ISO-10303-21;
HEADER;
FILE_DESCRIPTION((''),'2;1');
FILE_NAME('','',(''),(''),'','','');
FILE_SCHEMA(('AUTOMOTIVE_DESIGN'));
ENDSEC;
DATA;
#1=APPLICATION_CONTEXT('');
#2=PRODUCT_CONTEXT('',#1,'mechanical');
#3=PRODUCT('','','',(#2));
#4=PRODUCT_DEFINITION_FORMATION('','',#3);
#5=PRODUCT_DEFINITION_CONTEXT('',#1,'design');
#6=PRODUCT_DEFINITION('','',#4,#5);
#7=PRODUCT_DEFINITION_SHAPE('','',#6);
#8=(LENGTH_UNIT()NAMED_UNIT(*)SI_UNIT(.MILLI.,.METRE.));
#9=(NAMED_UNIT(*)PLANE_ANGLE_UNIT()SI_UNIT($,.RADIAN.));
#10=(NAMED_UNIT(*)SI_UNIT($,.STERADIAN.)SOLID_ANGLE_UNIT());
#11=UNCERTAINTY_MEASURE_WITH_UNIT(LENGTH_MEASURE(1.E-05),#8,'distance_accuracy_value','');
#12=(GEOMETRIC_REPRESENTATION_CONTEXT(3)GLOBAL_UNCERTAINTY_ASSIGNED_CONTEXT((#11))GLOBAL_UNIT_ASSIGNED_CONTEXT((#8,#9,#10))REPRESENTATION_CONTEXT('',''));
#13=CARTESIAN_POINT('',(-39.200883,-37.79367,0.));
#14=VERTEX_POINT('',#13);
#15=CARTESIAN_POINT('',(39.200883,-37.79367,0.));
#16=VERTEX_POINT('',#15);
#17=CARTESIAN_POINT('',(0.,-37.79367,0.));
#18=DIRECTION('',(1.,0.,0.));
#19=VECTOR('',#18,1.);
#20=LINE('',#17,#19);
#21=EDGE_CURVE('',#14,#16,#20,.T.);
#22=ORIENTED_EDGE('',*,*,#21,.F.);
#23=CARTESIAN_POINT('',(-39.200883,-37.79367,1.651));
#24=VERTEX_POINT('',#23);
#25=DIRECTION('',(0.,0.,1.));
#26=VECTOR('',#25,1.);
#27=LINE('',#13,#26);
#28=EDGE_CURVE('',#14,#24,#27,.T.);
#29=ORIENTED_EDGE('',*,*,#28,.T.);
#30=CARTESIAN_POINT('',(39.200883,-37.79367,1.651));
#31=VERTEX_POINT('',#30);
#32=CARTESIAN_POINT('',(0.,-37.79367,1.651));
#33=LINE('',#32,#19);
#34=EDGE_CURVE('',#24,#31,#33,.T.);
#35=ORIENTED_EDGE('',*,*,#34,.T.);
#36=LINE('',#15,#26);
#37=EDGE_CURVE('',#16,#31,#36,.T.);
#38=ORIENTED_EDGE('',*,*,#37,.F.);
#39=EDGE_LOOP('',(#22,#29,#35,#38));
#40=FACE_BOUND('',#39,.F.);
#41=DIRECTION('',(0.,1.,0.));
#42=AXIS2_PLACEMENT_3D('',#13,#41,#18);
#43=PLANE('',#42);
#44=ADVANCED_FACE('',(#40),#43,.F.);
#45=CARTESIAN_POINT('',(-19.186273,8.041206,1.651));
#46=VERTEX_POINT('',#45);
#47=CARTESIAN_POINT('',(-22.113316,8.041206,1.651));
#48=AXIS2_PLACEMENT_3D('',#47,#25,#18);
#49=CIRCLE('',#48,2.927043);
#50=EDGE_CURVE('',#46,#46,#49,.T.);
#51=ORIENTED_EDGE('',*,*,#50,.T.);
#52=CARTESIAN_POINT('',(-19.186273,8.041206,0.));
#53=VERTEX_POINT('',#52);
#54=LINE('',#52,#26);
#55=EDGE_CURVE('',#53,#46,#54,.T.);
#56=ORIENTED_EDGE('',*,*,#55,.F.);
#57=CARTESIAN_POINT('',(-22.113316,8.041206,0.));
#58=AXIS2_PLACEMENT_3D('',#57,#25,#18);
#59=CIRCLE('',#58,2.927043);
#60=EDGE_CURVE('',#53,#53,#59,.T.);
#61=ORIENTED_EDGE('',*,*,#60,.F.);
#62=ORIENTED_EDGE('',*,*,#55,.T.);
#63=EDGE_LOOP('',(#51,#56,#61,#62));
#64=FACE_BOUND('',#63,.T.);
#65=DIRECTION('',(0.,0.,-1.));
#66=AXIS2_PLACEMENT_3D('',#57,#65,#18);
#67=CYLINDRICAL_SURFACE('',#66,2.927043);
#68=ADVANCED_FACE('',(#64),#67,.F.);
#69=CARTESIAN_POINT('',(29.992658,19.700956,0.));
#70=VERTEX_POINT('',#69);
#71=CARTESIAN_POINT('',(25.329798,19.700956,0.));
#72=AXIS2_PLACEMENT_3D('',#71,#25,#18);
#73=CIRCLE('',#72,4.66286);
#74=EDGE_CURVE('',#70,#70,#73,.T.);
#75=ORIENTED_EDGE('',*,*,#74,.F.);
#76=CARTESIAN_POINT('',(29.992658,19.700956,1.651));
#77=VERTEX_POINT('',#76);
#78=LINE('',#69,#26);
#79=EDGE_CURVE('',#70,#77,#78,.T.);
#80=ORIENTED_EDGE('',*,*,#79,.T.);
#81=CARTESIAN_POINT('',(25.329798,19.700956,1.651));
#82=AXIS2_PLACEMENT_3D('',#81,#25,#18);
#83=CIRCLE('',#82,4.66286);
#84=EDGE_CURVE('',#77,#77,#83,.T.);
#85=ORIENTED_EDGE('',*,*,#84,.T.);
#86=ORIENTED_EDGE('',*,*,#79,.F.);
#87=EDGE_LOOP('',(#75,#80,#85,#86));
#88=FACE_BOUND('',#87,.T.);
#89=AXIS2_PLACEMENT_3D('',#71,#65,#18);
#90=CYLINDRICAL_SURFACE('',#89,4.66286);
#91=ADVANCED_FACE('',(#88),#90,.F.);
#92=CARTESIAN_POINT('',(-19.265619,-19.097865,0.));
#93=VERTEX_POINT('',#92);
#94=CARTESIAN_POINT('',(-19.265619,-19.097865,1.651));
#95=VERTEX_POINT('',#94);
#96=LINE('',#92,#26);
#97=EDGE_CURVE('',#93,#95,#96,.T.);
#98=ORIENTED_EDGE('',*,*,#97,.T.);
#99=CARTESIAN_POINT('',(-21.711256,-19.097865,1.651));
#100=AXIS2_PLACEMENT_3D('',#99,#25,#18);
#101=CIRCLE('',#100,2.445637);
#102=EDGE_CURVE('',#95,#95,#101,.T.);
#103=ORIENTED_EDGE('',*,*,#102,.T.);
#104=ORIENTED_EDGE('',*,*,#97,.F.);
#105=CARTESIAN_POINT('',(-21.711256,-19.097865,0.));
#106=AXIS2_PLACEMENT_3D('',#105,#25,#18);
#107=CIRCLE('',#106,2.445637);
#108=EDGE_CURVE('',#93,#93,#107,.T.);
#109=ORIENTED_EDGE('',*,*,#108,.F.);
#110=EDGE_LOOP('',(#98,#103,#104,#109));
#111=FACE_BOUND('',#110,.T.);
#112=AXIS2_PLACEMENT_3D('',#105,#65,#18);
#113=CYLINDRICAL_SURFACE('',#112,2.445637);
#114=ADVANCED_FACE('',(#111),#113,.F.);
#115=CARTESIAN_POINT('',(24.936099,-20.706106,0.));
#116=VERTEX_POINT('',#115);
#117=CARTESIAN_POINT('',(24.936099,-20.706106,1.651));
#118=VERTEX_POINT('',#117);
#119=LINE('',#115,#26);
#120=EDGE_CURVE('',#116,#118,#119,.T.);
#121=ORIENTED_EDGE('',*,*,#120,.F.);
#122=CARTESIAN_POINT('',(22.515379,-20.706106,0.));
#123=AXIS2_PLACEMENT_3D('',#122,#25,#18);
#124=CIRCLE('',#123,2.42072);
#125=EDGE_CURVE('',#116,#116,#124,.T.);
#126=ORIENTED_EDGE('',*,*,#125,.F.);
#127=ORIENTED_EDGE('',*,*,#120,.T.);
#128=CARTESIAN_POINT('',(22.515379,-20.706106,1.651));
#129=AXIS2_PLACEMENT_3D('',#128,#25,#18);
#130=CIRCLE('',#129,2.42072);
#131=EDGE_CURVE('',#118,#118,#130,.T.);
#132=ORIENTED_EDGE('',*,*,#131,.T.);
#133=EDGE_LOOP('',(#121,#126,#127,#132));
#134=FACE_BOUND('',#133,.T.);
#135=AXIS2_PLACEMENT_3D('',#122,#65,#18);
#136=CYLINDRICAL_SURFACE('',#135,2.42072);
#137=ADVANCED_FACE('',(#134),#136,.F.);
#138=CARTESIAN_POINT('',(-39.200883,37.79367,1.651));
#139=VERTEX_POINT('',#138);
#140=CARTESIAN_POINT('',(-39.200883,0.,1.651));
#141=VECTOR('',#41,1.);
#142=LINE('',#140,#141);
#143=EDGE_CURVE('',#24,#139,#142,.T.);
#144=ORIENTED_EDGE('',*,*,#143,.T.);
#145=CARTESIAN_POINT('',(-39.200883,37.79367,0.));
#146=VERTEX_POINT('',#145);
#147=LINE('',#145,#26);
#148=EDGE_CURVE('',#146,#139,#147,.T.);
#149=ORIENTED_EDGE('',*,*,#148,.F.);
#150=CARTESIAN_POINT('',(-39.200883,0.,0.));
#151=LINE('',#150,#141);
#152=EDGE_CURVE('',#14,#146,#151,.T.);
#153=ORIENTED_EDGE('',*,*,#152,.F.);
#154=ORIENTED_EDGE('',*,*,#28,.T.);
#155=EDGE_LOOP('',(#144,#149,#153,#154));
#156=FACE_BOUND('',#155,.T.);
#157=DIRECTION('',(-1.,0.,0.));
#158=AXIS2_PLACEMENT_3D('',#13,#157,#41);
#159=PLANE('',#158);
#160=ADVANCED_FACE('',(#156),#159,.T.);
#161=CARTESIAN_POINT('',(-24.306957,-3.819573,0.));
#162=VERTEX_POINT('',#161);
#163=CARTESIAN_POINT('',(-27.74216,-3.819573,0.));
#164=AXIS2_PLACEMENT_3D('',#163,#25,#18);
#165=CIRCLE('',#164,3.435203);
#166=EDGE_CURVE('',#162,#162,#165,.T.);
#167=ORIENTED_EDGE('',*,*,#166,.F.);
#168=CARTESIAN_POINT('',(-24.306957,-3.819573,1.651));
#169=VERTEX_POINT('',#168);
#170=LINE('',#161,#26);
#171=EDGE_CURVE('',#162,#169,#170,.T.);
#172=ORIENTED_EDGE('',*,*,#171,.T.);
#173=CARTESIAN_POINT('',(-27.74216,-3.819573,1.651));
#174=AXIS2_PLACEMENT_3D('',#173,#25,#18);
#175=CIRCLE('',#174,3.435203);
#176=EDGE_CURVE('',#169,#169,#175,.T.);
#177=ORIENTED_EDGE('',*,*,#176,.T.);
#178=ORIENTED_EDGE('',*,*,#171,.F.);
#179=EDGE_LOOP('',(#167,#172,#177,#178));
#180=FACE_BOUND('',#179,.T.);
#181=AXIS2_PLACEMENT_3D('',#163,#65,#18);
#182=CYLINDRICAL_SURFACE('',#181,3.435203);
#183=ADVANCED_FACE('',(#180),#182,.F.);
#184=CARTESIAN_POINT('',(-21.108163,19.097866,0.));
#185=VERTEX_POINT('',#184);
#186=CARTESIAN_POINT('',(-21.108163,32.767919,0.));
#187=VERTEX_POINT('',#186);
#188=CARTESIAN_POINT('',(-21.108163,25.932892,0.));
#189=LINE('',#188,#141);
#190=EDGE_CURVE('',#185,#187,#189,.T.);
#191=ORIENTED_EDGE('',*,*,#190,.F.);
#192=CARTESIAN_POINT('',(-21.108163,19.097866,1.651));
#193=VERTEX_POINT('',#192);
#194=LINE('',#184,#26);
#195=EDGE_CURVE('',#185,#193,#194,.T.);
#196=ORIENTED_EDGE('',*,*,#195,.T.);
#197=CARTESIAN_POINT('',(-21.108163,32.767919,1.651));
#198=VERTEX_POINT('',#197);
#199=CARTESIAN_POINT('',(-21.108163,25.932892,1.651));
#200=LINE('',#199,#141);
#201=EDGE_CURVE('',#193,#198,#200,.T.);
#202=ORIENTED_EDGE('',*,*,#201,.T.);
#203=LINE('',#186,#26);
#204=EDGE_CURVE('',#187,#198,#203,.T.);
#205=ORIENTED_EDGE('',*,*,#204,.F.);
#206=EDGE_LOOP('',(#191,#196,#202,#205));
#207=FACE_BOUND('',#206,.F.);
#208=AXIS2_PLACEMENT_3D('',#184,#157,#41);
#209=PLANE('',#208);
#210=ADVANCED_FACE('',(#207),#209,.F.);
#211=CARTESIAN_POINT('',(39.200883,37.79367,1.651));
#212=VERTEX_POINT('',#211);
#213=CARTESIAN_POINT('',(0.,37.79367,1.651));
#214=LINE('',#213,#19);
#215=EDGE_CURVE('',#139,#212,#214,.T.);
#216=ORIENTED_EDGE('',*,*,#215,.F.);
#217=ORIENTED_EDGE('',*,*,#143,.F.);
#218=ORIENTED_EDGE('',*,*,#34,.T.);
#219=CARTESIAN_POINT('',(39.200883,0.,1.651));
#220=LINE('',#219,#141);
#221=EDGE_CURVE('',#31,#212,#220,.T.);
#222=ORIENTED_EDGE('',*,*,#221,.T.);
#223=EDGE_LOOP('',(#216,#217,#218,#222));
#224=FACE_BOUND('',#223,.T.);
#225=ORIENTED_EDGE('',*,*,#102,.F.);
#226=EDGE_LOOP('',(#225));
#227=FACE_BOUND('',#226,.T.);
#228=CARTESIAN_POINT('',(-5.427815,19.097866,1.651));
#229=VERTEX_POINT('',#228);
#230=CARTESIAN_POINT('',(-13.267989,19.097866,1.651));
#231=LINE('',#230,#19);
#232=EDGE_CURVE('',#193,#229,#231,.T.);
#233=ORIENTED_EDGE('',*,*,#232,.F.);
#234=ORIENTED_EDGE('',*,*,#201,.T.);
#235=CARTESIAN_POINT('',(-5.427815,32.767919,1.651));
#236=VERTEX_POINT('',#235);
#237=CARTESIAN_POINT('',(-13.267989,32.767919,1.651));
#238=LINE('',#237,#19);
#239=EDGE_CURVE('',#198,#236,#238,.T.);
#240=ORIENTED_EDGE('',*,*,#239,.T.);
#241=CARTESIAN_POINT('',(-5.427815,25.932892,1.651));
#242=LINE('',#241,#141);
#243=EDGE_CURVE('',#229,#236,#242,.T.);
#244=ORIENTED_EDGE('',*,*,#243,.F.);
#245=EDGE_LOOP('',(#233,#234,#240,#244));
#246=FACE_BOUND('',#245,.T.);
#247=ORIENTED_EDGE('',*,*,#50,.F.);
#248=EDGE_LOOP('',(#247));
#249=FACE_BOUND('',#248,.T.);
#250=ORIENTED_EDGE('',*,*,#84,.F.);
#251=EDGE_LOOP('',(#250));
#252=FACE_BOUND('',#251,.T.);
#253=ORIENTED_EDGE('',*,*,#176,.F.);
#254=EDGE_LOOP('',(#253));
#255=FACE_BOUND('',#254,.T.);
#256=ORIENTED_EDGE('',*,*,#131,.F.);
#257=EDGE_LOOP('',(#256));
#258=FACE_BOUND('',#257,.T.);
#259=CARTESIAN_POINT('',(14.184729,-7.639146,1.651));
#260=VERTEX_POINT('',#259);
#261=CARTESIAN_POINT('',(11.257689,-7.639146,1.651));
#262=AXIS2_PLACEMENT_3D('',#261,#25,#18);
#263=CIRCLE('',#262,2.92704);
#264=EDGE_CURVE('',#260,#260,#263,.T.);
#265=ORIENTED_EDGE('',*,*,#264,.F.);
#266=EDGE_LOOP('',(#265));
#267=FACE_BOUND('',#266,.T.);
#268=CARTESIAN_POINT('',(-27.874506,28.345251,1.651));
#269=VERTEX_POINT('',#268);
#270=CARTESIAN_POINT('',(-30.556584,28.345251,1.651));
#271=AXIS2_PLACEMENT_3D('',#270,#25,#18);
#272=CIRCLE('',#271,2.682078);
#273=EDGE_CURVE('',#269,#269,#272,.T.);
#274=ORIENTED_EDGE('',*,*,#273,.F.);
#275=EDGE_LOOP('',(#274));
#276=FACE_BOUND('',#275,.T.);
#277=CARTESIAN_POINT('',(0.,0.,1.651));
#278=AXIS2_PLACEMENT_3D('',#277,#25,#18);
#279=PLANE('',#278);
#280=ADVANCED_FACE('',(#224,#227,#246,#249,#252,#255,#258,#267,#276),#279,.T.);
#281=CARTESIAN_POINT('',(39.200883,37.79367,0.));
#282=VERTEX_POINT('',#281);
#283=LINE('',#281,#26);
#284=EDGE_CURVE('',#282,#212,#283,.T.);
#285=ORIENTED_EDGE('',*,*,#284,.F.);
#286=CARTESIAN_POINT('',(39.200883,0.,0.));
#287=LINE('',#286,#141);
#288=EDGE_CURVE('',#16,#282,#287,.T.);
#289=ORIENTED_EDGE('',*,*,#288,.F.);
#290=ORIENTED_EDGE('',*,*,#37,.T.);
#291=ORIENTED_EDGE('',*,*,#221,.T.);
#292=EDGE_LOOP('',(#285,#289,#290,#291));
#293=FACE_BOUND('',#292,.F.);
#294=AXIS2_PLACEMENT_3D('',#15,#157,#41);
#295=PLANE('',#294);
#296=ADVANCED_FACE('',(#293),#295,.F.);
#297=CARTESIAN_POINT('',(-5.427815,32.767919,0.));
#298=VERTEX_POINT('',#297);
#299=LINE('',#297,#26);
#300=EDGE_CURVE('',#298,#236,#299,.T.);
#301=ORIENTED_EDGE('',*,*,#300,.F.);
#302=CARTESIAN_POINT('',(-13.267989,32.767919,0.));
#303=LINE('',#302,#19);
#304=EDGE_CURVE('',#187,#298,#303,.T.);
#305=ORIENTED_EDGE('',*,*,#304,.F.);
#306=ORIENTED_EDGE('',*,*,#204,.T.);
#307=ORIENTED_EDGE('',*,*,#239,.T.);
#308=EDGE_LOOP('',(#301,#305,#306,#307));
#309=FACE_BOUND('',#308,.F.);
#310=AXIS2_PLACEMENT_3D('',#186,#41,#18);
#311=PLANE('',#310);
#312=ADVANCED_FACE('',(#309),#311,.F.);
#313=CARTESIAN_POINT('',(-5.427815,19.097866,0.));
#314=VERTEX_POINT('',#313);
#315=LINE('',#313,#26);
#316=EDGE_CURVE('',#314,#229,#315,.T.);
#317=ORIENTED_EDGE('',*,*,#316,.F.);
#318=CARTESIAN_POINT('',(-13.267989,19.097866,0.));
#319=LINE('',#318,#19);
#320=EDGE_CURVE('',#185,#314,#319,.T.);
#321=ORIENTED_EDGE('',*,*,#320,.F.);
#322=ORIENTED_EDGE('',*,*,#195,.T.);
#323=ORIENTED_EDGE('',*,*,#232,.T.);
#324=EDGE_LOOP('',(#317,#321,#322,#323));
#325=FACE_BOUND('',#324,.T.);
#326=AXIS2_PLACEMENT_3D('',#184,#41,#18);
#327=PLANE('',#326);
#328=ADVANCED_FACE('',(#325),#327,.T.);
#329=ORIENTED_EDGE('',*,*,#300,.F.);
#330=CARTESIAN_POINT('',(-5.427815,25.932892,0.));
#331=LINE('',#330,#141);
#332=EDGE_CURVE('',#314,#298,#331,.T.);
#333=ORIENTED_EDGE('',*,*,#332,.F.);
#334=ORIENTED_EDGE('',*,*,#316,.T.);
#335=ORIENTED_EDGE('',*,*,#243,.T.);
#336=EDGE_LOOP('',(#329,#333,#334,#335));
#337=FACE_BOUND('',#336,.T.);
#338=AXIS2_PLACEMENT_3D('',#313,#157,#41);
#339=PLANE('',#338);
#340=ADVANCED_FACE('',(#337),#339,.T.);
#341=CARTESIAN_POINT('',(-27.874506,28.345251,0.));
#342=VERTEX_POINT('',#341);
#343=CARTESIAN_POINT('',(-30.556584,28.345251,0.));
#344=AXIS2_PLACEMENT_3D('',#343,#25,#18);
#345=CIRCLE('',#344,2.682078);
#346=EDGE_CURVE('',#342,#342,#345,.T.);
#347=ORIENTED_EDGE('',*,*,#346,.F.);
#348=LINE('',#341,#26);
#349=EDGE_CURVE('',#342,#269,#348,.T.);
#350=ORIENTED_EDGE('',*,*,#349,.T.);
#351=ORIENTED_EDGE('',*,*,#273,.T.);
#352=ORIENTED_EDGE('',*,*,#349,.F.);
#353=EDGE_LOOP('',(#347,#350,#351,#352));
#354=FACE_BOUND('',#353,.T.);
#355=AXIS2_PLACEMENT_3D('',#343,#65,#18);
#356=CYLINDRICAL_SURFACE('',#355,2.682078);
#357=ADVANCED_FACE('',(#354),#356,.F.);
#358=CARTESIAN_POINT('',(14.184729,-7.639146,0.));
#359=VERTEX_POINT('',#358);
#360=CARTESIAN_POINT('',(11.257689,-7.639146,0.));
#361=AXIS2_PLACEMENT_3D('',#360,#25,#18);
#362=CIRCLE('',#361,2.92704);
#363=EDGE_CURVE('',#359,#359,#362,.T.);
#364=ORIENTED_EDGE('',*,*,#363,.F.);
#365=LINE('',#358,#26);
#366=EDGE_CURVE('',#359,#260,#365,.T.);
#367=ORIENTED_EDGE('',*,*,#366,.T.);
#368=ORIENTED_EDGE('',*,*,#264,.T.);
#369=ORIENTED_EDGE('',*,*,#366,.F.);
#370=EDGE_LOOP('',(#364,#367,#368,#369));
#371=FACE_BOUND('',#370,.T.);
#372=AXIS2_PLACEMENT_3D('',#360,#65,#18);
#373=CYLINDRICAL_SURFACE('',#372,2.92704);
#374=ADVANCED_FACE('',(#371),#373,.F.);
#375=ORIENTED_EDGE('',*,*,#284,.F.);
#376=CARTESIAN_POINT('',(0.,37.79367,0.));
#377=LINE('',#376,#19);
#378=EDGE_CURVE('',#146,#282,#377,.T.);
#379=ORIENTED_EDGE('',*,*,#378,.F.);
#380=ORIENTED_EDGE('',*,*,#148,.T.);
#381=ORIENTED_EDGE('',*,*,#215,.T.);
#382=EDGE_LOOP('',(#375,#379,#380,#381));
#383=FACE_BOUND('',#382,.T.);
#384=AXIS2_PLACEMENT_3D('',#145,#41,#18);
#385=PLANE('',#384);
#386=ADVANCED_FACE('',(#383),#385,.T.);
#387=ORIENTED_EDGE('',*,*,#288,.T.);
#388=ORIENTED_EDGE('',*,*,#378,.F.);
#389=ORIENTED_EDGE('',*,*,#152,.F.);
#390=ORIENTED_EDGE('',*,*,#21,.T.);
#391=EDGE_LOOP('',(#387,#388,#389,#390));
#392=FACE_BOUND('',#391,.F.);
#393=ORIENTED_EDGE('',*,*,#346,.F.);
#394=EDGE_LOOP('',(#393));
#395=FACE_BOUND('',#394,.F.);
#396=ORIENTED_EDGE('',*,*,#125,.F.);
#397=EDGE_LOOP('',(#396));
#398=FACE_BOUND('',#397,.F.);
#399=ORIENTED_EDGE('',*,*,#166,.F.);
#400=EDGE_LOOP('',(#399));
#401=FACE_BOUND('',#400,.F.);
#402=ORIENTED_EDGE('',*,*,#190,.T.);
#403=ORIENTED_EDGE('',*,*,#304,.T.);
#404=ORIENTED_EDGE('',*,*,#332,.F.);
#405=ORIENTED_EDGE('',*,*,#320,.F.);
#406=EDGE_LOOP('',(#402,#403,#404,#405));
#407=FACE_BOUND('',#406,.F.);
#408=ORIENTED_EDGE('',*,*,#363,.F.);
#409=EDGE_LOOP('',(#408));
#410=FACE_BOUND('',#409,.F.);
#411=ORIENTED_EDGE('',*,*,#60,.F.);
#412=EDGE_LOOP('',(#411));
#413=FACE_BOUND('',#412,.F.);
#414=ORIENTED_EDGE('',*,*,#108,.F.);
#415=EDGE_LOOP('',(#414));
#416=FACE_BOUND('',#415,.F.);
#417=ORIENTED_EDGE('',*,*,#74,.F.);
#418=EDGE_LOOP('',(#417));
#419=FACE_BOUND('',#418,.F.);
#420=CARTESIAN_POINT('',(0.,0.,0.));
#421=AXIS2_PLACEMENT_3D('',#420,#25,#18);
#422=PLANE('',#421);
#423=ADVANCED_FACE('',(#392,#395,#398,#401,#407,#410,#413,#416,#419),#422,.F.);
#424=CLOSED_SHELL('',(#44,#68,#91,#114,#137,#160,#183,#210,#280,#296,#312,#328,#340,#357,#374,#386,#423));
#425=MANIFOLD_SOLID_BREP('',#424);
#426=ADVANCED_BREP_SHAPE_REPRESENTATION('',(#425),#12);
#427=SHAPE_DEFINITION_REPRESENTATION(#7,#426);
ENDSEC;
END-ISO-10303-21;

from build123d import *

# Parameters (mm, degrees)
F0_W     = 78.401766
F0_H     = 75.58734
F0_R     = 2.445637
F0_R_2   = 3.435203
F0_R_3   = 2.42072
F0_R_4   = 2.92704
F0_R_5   = 2.927043
F0_R_6   = 2.682078
F0_W_2   = 15.680349
F0_H_2   = 13.670053
F0_R_7   = 4.66286
F1_DEPTH = 1.651


with BuildPart() as f1:
    # F0 (on Top) → F1 (new body)
    with BuildSketch(Plane.XY):
        Rectangle(F0_W, F0_H)
        with Locations((-21.711256, -19.097865)):
            Circle(F0_R, mode=Mode.SUBTRACT)
        with Locations((-27.74216, -3.819573)):
            Circle(F0_R_2, mode=Mode.SUBTRACT)
        with Locations((22.515379, -20.706106)):
            Circle(F0_R_3, mode=Mode.SUBTRACT)
        with Locations((11.257689, -7.639146)):
            Circle(F0_R_4, mode=Mode.SUBTRACT)
        with Locations((-22.113316, 8.041206)):
            Circle(F0_R_5, mode=Mode.SUBTRACT)
        with Locations((-30.556584, 28.345251)):
            Circle(F0_R_6, mode=Mode.SUBTRACT)
        with Locations((-13.267989, 25.932892)):
            Rectangle(F0_W_2, F0_H_2, mode=Mode.SUBTRACT)
        with Locations((25.329798, 19.700956)):
            Circle(F0_R_7, mode=Mode.SUBTRACT)
    extrude(amount=F1_DEPTH)


solid = f1.part
